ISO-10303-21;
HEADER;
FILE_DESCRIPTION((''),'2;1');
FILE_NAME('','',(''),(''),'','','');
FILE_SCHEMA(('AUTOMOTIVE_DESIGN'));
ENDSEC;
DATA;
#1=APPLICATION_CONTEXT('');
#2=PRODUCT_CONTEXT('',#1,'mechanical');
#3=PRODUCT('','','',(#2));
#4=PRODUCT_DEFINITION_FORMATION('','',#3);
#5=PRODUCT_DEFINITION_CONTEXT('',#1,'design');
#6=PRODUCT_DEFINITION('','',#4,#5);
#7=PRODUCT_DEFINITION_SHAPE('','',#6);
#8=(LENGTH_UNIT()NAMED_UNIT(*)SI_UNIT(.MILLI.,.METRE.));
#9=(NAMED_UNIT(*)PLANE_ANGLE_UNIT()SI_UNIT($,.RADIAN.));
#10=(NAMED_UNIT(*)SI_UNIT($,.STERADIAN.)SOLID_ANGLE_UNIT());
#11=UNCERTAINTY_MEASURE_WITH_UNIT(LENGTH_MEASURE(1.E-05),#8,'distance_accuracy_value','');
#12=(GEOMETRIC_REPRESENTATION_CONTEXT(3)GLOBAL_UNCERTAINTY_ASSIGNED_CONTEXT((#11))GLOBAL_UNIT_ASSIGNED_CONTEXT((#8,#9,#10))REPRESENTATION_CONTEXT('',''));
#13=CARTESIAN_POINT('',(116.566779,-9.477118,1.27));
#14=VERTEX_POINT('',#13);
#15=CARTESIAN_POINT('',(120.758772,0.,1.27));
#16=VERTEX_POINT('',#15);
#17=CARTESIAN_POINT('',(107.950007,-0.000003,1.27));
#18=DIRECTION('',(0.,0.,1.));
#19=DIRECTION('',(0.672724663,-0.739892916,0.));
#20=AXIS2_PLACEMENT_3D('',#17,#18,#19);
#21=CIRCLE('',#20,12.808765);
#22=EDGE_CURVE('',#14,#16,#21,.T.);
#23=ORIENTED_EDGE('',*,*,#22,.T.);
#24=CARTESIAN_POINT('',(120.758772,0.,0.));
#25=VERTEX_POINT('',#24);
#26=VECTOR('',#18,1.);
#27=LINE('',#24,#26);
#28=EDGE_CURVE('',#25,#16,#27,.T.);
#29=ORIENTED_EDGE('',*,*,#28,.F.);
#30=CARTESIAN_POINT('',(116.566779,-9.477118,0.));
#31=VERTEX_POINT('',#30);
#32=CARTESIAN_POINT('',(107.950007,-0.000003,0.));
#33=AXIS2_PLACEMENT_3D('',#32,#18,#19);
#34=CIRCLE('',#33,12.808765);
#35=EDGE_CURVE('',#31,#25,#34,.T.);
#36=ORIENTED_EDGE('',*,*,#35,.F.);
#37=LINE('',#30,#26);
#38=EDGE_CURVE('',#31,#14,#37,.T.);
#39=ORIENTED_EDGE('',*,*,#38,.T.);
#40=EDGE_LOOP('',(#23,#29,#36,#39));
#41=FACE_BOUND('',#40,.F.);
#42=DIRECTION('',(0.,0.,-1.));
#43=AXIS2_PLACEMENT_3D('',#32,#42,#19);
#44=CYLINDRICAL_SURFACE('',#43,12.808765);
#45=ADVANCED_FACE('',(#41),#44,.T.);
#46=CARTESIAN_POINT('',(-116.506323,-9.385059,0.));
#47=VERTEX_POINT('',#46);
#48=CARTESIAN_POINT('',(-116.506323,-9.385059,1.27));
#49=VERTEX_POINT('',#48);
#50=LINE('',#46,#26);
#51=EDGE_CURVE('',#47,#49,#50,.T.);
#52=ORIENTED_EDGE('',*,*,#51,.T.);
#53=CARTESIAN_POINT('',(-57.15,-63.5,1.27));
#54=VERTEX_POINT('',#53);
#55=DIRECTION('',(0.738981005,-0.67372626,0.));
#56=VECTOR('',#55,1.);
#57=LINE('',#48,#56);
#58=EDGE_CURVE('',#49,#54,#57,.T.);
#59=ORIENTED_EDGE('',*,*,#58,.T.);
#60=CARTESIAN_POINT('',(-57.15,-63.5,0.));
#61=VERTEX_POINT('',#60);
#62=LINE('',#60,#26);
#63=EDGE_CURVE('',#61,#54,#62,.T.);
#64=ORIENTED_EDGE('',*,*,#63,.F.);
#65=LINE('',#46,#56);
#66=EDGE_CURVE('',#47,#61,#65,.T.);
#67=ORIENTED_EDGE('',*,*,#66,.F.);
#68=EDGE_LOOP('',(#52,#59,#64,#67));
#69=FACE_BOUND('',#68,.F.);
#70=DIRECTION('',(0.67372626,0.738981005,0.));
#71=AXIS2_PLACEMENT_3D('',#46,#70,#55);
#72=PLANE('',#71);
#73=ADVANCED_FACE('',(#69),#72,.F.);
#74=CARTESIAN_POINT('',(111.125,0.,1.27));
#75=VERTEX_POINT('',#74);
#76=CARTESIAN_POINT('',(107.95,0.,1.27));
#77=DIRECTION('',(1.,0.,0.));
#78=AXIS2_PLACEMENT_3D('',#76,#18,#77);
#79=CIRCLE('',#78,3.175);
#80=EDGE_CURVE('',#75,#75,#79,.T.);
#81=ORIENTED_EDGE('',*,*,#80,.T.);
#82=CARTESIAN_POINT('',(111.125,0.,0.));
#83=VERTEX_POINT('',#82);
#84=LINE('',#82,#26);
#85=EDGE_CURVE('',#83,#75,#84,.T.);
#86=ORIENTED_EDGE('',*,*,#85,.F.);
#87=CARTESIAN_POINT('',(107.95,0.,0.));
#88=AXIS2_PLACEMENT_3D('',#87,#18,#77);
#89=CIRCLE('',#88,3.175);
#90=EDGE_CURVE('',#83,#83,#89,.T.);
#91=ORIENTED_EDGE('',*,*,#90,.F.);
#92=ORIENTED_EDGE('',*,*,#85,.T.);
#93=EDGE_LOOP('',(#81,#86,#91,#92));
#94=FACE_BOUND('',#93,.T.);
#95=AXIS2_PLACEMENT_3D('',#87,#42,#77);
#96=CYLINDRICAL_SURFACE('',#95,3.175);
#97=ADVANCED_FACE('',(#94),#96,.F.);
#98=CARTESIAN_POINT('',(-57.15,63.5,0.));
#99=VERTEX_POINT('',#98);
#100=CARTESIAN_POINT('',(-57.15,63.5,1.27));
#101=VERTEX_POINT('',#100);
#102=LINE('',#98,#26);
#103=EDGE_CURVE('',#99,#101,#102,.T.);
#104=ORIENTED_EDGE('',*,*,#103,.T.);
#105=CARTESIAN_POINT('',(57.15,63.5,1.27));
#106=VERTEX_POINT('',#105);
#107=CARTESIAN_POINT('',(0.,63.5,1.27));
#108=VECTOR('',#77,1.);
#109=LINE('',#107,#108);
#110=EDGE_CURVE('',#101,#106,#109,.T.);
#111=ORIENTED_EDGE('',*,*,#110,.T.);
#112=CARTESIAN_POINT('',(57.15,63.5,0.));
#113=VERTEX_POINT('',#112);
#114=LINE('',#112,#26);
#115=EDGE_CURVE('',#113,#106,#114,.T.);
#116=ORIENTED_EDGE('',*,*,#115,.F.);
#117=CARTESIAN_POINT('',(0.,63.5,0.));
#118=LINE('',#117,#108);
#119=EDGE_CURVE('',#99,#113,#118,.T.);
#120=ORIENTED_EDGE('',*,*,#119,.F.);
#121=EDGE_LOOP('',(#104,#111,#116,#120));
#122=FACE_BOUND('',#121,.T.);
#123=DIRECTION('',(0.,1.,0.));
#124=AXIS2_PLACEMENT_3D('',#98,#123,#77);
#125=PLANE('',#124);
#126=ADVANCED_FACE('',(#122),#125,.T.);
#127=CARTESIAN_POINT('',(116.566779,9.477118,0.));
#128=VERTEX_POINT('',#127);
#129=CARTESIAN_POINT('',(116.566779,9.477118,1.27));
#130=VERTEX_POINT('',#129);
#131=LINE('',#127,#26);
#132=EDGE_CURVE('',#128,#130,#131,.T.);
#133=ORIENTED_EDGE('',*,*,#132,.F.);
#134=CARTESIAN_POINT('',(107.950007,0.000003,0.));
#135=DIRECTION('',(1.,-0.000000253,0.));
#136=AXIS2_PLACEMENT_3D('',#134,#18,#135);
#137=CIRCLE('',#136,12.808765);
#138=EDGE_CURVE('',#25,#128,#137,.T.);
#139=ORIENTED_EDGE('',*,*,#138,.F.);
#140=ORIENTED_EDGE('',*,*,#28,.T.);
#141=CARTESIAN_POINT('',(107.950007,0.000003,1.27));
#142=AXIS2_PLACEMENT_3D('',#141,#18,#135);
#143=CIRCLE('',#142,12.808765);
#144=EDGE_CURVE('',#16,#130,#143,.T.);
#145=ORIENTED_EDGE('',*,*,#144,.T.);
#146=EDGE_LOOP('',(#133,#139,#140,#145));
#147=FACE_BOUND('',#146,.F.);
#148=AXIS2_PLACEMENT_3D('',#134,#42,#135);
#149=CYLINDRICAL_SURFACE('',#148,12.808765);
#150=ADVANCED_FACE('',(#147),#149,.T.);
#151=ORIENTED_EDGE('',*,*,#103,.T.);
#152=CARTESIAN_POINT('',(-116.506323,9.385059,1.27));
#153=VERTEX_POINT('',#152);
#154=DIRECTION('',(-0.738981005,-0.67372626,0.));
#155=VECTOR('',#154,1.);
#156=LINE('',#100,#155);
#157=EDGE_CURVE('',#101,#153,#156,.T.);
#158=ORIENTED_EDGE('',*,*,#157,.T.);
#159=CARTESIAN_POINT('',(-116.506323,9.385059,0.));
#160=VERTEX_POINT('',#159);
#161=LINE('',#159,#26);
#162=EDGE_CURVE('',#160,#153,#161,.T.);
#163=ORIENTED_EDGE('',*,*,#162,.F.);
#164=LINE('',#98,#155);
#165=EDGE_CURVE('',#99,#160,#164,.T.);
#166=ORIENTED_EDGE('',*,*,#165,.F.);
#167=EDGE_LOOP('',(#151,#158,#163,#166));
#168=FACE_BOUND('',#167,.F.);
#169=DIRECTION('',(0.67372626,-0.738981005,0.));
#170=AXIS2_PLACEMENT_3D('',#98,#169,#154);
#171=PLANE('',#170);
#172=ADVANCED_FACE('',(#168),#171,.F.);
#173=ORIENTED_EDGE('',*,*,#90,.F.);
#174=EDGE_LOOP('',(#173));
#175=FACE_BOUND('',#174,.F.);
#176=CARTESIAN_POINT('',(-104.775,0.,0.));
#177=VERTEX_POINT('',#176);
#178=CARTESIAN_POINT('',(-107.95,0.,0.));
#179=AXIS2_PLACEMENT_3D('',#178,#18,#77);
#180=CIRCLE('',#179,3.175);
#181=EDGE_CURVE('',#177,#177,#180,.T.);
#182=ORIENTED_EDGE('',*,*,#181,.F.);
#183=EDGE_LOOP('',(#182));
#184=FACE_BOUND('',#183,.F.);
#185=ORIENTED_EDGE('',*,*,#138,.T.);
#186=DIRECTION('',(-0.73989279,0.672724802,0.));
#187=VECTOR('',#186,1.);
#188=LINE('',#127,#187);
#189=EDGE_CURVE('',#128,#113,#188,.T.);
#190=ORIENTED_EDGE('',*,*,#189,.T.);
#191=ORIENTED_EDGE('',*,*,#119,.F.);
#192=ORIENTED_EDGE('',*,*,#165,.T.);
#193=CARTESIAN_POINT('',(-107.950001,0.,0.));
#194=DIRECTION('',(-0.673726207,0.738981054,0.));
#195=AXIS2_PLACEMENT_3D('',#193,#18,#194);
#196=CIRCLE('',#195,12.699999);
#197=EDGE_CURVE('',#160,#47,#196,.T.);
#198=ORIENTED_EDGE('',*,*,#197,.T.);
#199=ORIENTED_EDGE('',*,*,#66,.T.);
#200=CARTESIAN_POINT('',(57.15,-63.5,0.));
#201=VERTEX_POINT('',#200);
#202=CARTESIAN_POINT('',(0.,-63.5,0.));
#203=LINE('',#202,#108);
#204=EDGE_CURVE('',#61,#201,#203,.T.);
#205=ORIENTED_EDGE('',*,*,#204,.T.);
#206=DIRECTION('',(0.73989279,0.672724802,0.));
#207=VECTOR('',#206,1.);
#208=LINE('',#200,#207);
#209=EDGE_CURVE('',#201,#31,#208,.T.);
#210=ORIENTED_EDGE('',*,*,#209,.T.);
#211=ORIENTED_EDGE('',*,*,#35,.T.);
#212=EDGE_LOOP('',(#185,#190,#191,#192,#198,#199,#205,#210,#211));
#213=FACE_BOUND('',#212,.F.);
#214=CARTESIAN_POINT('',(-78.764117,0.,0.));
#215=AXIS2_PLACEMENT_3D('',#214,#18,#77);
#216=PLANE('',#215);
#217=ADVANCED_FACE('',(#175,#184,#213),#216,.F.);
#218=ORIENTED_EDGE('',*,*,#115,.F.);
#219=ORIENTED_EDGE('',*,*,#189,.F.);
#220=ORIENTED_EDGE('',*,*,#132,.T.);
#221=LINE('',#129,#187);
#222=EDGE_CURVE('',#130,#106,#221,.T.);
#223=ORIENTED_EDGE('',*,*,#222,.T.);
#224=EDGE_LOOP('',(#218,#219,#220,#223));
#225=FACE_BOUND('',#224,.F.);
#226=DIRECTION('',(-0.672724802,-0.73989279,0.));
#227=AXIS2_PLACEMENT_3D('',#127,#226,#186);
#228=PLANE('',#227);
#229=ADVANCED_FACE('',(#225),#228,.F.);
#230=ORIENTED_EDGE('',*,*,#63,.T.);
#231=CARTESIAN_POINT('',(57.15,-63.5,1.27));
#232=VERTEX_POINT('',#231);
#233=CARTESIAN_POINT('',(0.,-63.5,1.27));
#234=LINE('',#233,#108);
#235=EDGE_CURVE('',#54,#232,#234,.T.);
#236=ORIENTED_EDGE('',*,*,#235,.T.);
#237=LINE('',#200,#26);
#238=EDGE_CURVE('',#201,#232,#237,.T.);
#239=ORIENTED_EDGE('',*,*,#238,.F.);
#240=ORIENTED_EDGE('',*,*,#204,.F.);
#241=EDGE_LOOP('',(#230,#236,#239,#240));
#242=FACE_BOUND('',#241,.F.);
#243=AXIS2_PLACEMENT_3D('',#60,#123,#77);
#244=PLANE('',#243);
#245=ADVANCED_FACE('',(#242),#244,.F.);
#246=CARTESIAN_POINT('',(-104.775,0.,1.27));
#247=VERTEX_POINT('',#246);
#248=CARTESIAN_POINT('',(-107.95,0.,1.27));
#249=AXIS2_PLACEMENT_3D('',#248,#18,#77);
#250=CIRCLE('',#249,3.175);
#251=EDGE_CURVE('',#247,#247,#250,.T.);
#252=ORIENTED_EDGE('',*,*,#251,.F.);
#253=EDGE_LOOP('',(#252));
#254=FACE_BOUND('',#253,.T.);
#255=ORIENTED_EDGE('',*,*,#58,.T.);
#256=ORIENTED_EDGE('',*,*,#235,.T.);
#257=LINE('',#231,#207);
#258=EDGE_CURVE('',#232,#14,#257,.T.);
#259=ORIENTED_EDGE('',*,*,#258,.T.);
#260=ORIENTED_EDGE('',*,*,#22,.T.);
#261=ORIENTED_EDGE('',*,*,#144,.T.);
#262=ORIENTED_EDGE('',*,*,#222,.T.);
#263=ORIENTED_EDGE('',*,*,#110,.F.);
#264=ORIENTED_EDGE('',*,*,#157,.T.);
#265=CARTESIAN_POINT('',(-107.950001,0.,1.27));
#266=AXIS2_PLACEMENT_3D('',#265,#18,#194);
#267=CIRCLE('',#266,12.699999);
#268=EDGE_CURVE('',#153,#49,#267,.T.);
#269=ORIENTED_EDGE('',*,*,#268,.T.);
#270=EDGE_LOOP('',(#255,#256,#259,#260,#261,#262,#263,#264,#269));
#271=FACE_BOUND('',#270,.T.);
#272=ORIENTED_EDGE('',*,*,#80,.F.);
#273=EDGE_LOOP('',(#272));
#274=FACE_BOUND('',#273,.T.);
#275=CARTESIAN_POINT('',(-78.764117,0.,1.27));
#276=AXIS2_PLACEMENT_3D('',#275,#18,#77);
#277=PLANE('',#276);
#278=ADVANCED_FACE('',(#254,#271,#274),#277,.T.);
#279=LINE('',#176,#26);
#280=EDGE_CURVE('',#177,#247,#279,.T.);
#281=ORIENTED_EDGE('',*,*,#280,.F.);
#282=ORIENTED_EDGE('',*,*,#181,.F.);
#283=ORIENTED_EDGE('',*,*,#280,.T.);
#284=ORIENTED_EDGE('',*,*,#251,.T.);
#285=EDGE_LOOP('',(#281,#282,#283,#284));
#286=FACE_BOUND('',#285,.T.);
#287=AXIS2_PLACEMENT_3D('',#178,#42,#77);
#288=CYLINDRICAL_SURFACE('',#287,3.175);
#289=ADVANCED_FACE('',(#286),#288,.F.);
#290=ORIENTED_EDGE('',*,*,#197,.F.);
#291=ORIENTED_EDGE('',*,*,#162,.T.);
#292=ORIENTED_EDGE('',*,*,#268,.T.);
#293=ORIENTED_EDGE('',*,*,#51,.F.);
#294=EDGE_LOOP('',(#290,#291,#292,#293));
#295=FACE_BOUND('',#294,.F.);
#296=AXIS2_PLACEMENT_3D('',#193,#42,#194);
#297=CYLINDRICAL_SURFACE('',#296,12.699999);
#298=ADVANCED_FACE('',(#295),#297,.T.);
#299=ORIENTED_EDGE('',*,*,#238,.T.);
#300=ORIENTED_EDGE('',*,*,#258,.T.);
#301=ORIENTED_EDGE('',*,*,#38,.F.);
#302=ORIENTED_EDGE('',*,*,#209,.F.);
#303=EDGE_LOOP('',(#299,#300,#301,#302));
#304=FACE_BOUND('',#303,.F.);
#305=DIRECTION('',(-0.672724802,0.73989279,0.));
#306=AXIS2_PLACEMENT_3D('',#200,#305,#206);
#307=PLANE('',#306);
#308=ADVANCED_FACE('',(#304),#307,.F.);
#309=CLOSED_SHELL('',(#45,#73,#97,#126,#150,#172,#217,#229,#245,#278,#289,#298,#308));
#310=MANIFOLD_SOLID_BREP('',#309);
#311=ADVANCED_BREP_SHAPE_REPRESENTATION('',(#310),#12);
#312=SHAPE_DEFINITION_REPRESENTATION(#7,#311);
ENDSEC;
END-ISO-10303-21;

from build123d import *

# Parameters (mm, degrees)
F0_R     = 3.175
F0_W     = 114.3
F0_H     = 127
F1_DEPTH = 1.27


with BuildPart() as f1:
    # F0 (on Top) → F1 (new body)
    with BuildSketch(Plane.XY):
        with BuildLine():
            Line((-116.506323, -9.385059), (-57.15, -63.5))
            Line((-57.15, -63.5), (-57.15, 63.5))
            Line((-57.15, 63.5), (-116.506323, 9.385059))
            ThreePointArc((-116.506323, 9.385059), (-102.820444, 11.617988), (-95.25, 0))
            ThreePointArc((-95.25, 0), (-102.820444, -11.617988), (-116.506323, -9.385059))
        make_face()
        with BuildLine():
            ThreePointArc((-116.506323, 9.385059), (-120.65, 0), (-116.506323, -9.385059))
            ThreePointArc((-116.506323, -9.385059), (-102.820444, -11.617988), (-95.25, 0))
            ThreePointArc((-95.25, 0), (-102.820444, 11.617988), (-116.506323, 9.385059))
        make_face()
        with Locations((-107.95, 0)):
            Circle(F0_R, mode=Mode.SUBTRACT)
        Rectangle(F0_W, F0_H)
        with BuildLine():
            Line((57.15, 63.5), (57.15, -63.5))
            Line((57.15, -63.5), (116.566779, -9.477118))
            ThreePointArc((116.566779, -9.477118), (95.141228, 0), (116.566779, 9.477118))
            Line((116.566779, 9.477118), (57.15, 63.5))
        make_face()
        with BuildLine():
            ThreePointArc((116.566779, 9.477118), (95.141228, 0), (116.566779, -9.477118))
            ThreePointArc((116.566779, -9.477118), (119.663988, -5.181423), (120.758772, 0))
            ThreePointArc((120.758772, 0), (119.663988, 5.181423), (116.566779, 9.477118))
        make_face()
        with Locations((107.95, 0)):
            Circle(F0_R, mode=Mode.SUBTRACT)
    extrude(amount=F1_DEPTH)


solid = f1.part
